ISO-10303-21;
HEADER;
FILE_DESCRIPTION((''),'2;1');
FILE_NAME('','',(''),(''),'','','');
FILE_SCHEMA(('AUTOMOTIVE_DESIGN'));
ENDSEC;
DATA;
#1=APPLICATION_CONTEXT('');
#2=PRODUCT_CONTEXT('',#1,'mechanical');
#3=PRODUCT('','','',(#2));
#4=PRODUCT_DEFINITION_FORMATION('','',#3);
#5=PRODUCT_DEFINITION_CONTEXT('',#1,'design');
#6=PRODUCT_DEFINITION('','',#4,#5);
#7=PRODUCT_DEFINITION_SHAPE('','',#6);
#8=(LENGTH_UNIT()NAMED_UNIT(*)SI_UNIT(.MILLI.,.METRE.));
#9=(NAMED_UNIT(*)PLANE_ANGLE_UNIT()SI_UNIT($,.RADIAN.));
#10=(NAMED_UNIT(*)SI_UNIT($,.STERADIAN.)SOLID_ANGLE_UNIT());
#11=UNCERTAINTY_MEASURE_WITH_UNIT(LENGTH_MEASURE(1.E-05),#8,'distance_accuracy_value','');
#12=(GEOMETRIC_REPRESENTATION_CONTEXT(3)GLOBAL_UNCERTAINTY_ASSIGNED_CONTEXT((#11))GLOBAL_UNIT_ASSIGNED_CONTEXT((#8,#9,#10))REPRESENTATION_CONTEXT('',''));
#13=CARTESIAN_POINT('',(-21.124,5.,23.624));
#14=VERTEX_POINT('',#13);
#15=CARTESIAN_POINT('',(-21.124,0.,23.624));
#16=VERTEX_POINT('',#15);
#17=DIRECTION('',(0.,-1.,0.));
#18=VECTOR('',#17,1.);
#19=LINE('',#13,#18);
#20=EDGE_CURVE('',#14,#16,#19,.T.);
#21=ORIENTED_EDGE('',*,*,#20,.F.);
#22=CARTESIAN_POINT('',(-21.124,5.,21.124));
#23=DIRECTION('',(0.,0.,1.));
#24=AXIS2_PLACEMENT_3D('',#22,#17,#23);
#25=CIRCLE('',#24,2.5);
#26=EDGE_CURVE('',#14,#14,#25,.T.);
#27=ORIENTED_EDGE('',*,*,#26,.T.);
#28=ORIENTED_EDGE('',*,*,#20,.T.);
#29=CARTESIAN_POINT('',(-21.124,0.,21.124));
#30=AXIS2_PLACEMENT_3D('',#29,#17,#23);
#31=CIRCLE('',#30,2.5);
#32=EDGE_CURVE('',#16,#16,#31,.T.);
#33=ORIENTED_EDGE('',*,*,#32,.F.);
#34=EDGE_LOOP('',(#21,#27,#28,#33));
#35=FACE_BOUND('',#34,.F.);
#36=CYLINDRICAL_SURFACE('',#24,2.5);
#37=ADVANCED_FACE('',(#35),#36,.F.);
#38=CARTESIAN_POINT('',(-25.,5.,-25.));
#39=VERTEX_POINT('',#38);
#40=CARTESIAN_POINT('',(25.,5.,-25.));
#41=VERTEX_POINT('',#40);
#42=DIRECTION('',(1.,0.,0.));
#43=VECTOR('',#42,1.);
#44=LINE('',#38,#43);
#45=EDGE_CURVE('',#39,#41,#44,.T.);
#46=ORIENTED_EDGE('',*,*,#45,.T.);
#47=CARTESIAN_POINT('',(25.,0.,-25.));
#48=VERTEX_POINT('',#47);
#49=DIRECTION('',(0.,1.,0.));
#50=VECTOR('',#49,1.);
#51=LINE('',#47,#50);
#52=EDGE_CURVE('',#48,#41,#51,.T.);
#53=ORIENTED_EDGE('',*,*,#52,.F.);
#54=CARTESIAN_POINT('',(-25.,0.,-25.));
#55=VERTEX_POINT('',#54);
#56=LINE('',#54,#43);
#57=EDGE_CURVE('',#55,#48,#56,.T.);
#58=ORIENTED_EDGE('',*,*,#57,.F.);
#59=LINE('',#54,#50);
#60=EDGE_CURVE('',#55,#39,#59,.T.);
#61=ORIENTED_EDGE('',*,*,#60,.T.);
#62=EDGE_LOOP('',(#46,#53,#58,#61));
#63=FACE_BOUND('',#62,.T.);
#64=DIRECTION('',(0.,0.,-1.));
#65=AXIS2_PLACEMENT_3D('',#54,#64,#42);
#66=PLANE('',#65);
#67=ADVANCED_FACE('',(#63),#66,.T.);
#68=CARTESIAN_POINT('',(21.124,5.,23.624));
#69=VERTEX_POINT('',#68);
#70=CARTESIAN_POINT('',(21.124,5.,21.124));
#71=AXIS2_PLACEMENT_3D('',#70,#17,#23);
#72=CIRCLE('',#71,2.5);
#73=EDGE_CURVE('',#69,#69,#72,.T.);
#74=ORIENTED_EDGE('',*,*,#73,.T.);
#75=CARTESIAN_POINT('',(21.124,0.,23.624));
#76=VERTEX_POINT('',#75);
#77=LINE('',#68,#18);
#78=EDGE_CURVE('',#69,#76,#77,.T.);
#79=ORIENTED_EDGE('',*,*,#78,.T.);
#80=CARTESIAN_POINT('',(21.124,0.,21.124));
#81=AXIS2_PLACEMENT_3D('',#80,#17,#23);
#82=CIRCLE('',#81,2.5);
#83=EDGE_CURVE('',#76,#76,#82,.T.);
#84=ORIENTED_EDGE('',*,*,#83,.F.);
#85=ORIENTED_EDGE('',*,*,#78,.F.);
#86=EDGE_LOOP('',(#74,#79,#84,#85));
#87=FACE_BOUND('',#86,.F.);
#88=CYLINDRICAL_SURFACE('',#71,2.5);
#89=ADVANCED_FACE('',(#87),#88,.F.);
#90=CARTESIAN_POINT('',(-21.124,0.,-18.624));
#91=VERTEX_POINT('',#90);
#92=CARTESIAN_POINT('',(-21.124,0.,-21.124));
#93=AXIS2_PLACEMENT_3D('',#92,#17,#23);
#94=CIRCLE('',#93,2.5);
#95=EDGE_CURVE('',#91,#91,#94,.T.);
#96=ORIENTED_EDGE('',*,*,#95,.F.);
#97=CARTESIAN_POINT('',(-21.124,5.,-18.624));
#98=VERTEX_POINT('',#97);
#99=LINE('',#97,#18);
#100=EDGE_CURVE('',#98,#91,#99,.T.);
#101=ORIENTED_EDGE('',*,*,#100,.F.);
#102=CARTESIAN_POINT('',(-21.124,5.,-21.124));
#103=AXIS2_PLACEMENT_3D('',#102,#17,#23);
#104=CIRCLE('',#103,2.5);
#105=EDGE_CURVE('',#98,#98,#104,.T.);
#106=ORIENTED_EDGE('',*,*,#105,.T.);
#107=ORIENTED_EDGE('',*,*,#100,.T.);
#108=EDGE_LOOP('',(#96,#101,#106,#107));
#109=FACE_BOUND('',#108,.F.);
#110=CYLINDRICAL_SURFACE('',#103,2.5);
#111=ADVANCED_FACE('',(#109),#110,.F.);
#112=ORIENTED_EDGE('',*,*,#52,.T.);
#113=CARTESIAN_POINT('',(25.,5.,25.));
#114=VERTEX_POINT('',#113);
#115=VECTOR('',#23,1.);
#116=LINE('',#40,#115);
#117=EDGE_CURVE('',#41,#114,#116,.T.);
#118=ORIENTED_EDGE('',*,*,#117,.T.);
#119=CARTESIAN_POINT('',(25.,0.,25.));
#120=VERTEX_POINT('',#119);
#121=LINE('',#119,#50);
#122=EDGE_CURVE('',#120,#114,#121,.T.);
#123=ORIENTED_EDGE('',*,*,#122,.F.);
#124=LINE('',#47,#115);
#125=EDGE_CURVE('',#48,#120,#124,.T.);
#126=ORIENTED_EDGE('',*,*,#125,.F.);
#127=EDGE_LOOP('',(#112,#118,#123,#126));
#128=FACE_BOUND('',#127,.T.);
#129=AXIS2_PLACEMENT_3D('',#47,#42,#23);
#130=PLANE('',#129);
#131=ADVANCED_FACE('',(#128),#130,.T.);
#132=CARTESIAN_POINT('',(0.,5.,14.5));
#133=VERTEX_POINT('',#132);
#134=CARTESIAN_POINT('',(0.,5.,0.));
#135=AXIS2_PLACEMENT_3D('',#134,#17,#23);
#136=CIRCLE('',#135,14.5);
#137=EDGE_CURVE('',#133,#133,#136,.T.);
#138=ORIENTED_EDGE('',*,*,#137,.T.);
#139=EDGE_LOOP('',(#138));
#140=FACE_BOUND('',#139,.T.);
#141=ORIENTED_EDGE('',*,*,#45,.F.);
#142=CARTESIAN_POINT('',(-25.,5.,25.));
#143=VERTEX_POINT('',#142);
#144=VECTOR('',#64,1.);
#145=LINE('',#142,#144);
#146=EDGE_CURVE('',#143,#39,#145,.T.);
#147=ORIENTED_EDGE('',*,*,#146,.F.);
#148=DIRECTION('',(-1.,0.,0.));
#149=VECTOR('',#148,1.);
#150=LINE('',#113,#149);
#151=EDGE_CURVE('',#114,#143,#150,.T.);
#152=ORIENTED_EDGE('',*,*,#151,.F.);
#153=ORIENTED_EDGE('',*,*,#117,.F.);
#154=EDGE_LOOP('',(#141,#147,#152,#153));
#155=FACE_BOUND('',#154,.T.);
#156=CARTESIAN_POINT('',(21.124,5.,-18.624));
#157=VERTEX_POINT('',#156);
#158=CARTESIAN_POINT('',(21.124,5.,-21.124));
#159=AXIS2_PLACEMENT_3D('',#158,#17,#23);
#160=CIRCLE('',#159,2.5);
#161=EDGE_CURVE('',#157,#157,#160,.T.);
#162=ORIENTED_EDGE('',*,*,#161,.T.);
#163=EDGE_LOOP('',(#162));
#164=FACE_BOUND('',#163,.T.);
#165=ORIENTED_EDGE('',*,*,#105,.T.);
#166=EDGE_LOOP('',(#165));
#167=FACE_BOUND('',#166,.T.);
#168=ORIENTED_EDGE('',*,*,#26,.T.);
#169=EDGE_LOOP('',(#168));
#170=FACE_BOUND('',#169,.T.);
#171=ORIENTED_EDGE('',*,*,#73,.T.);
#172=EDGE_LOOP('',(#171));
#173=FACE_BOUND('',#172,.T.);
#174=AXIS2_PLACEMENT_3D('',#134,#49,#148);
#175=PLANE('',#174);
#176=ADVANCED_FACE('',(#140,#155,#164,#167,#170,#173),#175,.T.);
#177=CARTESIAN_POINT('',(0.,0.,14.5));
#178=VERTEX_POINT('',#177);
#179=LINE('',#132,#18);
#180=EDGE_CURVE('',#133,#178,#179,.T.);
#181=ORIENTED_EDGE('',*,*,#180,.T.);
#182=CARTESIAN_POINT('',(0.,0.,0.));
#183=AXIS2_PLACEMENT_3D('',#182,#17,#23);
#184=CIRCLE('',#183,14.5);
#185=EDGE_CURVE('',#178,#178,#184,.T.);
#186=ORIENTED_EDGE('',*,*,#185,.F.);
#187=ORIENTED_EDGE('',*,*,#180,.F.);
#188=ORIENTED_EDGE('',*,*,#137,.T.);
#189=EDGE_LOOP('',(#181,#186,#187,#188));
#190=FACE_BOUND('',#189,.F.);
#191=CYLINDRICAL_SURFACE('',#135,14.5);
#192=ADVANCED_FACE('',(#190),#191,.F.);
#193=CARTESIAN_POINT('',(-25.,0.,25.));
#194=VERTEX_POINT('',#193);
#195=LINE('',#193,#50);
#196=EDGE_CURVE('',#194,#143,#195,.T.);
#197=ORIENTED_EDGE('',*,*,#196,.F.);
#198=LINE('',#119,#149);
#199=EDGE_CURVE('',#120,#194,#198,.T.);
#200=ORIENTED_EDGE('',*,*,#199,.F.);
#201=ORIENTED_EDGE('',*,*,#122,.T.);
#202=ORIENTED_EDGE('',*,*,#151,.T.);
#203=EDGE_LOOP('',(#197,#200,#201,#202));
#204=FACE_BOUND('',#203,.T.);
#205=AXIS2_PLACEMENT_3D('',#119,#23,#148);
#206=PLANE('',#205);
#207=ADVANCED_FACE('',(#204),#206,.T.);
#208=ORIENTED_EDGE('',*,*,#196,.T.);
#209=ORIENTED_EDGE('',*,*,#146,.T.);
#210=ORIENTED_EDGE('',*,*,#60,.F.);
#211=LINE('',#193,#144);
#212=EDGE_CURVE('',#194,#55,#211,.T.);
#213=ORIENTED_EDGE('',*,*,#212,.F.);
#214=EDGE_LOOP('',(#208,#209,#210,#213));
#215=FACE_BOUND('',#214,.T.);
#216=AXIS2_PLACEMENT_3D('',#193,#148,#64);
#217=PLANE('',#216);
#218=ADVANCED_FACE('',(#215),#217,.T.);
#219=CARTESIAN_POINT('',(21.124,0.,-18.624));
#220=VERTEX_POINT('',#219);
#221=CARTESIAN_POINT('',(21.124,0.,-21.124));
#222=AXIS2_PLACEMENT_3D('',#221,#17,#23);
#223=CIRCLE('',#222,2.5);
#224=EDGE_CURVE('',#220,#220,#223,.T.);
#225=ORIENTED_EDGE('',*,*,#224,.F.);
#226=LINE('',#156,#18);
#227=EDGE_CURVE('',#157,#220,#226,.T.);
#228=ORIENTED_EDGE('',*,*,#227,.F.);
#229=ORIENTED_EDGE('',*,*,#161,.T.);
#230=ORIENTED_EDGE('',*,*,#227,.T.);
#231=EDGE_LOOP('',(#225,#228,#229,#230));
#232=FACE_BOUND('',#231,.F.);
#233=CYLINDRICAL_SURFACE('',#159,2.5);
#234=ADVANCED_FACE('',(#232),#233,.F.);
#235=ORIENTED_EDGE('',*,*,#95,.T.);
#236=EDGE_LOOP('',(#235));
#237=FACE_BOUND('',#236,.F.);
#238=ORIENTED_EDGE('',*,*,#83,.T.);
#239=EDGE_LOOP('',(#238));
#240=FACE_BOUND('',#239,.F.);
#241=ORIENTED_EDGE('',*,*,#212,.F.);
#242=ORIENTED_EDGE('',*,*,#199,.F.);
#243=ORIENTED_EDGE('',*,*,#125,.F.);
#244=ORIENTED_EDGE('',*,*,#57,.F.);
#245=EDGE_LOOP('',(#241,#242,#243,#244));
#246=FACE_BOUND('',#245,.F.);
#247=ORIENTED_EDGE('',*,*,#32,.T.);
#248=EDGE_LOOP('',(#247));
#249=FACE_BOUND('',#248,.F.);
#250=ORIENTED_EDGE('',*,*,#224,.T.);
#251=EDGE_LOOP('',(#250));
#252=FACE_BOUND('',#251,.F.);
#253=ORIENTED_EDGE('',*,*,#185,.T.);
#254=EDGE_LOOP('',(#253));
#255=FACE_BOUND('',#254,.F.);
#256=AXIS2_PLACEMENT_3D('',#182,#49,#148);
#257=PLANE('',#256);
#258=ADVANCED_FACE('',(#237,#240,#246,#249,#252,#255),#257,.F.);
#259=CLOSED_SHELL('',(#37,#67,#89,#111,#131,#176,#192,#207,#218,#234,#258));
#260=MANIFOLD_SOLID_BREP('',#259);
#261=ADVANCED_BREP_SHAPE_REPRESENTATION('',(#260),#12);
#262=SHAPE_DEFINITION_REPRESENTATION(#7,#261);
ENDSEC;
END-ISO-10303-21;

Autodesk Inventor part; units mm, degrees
ref_plane "YZ Plane" through (0, 0, 0) normal (1, 0, 0) x (0, 1, 0)
ref_plane "XZ Plane" through (0, 0, 0) normal (0, 1, 0) x (-1, 0, 0)
ref_plane "XY Plane" through (0, 0, 0) normal (0, 0, 1) x (1, 0, 0)
sketch "Skizze1" plane through (0, 0, 0) normal (0, 1, 0) x (-1, 0, 0)
  line L0 (-25, 25) -> (25, 25)
  line L1 (25, 25) -> (25, -25)
  line L2 (25, -25) -> (-25, -25)
  line L3 (-25, -25) -> (-25, 25)
  line L4 (-25, 25) -> (25, -25) construction
  line L5 (25, 25) -> (-25, -25) construction
  point P0 (0, 0)
  dimension "d0" = 50
  dimension "d1" = 50
extrude "Extrusion1" add sketch "Skizze1" along normal blind 5
sketch "Skizze2" plane through (0, 5, 0) normal (0, 1, 0) x (1, 0, 0)
  point P0 (0, 0)
  point P1 (0, 0)
hole "Bohrung1" at (0, 5, 0) direction (0, -1, 0) diameter 29 depth 5
sketch "Skizze3" plane through (0, 5, 0) normal (0, 1, 0) x (1, 0, 0)
  line L0 (25, 25) -> (-25, 25) projected
  line L1 (0, 25) -> (0, -25) construction
  line L2 (-25, -25) -> (25, -25) projected
  line L3 (25, -25) -> (25, 25) projected
  line L4 (25, 0) -> (-25, 0) construction
  line L5 (-25, 25) -> (-25, -25) projected
  point P0 (0, 0)
  point P1 (-21.124, -21.124)
  point P2 (-21.124, 21.124)
  point P3 (21.124, -21.124)
  point P4 (21.124, 21.124)
  dimension "d18" = 42.248
  dimension "d19" = 42.248
hole "Bohrung2" at (-21.124, 5, 21.124) at (-21.124, 5, -21.124) at (21.124, 5, 21.124) at (21.124, 5, -21.124) direction (0, -1, 0) diameter 5 depth 5
equation "\"d18\" = d19"
properties part number "thickshield_cylinder"
